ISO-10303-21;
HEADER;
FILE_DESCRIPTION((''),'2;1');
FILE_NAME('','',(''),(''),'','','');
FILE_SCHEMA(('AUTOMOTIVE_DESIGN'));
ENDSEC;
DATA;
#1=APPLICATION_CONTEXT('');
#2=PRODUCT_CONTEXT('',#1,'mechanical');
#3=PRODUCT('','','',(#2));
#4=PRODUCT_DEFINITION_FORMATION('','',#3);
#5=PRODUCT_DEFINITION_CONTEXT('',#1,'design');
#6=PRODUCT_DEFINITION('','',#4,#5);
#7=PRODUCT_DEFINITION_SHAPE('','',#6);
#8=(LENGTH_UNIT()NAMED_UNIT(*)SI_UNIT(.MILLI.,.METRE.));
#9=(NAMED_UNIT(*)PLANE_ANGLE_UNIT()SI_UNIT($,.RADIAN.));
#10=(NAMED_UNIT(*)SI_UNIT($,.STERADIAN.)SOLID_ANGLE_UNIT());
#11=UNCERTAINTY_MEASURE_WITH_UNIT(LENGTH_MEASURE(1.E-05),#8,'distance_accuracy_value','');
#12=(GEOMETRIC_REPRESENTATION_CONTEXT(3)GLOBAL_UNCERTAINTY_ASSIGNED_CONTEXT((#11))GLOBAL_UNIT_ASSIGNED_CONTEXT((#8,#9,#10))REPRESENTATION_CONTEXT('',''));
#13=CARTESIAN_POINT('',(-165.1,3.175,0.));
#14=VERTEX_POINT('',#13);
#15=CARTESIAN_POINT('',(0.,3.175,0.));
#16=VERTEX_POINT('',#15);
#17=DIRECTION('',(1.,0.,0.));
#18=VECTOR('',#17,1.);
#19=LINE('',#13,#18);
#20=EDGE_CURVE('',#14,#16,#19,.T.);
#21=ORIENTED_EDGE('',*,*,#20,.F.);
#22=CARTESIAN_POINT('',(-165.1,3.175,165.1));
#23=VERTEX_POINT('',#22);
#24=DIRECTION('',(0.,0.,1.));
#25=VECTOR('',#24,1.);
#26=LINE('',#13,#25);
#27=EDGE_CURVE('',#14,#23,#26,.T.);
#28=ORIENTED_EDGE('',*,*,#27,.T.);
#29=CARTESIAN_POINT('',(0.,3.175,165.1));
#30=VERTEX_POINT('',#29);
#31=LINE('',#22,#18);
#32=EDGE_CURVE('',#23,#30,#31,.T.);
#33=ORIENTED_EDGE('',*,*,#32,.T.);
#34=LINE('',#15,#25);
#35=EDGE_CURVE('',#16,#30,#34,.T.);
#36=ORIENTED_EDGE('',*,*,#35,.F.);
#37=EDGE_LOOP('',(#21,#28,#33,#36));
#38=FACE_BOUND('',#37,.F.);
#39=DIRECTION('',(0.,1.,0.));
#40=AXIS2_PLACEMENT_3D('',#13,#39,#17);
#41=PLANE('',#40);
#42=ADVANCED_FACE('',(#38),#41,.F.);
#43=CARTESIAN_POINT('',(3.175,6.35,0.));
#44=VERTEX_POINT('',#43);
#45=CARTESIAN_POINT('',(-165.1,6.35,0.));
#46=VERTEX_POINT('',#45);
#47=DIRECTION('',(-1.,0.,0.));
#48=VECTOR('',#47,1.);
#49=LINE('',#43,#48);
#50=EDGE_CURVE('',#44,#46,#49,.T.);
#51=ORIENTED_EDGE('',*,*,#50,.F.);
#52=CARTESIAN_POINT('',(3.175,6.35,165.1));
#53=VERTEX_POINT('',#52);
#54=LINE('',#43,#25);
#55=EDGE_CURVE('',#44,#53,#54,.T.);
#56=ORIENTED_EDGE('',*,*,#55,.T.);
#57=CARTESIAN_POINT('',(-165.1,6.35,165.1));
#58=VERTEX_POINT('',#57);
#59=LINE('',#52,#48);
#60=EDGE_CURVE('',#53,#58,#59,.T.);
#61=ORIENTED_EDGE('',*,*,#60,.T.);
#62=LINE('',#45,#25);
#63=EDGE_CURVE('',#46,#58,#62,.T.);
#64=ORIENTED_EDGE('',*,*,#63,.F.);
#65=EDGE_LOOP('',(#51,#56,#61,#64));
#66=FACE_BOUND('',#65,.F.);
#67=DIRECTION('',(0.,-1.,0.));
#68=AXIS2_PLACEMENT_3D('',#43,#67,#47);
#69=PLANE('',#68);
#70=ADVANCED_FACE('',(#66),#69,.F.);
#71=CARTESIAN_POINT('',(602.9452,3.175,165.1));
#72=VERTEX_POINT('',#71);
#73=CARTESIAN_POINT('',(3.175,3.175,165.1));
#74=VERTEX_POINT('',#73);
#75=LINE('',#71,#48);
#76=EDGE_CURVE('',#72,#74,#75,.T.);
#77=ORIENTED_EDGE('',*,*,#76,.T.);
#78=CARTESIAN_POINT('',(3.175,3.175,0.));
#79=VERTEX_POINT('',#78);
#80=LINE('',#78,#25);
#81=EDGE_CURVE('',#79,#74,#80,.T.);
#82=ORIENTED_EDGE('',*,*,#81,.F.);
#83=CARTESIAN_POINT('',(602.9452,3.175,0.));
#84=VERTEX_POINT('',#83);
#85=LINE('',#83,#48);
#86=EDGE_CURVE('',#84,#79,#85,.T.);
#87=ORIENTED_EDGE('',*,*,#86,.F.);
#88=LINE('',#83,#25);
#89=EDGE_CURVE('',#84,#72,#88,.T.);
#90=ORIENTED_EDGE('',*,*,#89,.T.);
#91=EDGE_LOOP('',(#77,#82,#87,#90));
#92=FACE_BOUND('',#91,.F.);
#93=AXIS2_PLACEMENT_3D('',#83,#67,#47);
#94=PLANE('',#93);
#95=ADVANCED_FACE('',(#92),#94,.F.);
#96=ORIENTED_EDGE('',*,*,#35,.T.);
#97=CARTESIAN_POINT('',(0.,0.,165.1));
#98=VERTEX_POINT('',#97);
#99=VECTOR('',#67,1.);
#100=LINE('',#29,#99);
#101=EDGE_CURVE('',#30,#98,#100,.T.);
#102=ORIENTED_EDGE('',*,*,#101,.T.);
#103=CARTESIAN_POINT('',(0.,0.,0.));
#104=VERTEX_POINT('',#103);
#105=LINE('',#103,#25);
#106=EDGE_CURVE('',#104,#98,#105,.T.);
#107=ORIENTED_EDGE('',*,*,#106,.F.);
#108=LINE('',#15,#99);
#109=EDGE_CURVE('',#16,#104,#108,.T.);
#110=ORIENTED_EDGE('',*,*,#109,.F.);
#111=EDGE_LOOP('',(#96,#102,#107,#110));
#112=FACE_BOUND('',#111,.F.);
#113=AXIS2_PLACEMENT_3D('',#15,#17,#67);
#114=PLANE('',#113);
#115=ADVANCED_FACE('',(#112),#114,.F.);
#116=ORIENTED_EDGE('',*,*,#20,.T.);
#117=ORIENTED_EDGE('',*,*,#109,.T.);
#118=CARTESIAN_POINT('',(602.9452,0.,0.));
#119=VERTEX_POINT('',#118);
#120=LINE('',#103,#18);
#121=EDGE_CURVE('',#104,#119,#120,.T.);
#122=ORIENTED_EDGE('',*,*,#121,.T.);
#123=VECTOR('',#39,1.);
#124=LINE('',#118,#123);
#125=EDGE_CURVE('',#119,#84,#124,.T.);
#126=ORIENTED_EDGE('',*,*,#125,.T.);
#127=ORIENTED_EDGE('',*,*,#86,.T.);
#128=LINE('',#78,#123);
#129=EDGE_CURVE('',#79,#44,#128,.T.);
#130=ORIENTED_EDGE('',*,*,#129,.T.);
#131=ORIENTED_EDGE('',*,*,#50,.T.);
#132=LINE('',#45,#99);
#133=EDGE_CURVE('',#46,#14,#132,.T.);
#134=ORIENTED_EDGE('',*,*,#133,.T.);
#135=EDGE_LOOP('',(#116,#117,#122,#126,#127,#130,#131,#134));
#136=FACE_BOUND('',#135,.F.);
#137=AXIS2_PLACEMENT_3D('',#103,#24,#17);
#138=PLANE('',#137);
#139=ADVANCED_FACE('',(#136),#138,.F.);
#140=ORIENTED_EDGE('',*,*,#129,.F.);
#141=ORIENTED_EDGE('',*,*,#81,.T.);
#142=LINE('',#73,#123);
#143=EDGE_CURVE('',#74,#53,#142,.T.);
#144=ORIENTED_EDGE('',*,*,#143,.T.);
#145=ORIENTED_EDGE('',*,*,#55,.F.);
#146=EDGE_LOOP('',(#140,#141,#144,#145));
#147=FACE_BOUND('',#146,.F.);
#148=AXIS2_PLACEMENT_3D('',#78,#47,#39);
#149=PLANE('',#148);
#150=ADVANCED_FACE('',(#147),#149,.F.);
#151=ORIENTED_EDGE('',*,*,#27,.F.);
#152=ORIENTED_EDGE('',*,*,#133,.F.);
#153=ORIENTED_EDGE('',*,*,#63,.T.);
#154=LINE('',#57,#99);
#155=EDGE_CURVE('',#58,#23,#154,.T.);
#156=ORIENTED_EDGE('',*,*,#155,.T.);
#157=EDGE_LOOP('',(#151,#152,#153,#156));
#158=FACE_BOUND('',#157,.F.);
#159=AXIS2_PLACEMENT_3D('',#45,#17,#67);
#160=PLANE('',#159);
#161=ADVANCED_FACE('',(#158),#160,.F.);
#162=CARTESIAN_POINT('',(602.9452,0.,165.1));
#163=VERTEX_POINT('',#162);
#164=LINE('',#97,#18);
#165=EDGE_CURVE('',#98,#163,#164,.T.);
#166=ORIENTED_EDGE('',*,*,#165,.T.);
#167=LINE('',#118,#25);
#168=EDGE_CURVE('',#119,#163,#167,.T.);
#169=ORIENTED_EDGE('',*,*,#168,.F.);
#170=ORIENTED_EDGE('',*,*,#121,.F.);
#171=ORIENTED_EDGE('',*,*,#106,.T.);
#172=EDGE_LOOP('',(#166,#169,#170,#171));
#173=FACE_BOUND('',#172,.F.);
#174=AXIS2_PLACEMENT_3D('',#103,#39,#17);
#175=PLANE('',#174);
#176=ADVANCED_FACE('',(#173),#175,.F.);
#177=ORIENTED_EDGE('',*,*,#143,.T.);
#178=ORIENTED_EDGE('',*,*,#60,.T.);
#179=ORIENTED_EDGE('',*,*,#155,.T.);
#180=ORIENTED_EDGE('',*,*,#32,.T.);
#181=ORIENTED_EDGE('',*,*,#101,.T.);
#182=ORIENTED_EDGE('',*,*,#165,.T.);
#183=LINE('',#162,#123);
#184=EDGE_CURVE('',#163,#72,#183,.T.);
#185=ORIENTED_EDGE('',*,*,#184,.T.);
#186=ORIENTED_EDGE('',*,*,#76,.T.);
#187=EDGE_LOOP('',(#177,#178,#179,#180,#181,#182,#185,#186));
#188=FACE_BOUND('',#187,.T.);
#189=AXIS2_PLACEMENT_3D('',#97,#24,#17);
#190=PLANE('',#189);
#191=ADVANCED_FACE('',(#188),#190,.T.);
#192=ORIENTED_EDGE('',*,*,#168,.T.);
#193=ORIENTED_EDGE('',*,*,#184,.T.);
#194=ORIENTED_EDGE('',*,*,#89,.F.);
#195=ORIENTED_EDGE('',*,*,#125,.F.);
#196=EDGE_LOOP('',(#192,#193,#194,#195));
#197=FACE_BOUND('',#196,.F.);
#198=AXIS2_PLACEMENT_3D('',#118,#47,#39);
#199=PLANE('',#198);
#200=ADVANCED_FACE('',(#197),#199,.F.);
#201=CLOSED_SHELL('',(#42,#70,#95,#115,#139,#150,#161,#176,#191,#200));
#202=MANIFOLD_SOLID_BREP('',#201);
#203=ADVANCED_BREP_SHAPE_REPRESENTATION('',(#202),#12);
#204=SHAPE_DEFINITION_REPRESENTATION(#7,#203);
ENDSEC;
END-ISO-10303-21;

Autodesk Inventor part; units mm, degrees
ref_plane "YZ Plane" through (0, 0, 0) normal (1, 0, 0) x (0, 1, 0)
ref_plane "XZ Plane" through (0, 0, 0) normal (0, 1, 0) x (-1, 0, 0)
ref_plane "XY Plane" through (0, 0, 0) normal (0, 0, 1) x (1, 0, 0)
sketch "Sketch1" plane through (0, 0, 0) normal (0, 0, 1) x (1, 0, 0)
  line L0 (0, 0) -> (602.9452, 0)
  line L1 (602.9452, 0) -> (602.9452, 3.175)
  line L2 (602.9452, 3.175) -> (3.175, 3.175)
  line L3 (3.175, 3.175) -> (3.175, 6.35)
  line L4 (3.175, 6.35) -> (-165.1, 6.35)
  line L5 (-165.1, 6.35) -> (-165.1, 3.175)
  line L6 (-165.1, 3.175) -> (0, 3.175)
  line L7 (0, 3.175) -> (0, 0)
  dimension "d0" = 165.1
  dimension "d1" = 3.175
  dimension "d2" = 3.175
  dimension "d3" = 3.175
  dimension "d4" = 3.175
  dimension "d10" = 602.9452
extrude "Extrusion2" add sketch "Sketch1" along normal blind 165.1
properties part number "Starter_Shingle_With_Dimensions_6.5_x_30.988_Inches"
